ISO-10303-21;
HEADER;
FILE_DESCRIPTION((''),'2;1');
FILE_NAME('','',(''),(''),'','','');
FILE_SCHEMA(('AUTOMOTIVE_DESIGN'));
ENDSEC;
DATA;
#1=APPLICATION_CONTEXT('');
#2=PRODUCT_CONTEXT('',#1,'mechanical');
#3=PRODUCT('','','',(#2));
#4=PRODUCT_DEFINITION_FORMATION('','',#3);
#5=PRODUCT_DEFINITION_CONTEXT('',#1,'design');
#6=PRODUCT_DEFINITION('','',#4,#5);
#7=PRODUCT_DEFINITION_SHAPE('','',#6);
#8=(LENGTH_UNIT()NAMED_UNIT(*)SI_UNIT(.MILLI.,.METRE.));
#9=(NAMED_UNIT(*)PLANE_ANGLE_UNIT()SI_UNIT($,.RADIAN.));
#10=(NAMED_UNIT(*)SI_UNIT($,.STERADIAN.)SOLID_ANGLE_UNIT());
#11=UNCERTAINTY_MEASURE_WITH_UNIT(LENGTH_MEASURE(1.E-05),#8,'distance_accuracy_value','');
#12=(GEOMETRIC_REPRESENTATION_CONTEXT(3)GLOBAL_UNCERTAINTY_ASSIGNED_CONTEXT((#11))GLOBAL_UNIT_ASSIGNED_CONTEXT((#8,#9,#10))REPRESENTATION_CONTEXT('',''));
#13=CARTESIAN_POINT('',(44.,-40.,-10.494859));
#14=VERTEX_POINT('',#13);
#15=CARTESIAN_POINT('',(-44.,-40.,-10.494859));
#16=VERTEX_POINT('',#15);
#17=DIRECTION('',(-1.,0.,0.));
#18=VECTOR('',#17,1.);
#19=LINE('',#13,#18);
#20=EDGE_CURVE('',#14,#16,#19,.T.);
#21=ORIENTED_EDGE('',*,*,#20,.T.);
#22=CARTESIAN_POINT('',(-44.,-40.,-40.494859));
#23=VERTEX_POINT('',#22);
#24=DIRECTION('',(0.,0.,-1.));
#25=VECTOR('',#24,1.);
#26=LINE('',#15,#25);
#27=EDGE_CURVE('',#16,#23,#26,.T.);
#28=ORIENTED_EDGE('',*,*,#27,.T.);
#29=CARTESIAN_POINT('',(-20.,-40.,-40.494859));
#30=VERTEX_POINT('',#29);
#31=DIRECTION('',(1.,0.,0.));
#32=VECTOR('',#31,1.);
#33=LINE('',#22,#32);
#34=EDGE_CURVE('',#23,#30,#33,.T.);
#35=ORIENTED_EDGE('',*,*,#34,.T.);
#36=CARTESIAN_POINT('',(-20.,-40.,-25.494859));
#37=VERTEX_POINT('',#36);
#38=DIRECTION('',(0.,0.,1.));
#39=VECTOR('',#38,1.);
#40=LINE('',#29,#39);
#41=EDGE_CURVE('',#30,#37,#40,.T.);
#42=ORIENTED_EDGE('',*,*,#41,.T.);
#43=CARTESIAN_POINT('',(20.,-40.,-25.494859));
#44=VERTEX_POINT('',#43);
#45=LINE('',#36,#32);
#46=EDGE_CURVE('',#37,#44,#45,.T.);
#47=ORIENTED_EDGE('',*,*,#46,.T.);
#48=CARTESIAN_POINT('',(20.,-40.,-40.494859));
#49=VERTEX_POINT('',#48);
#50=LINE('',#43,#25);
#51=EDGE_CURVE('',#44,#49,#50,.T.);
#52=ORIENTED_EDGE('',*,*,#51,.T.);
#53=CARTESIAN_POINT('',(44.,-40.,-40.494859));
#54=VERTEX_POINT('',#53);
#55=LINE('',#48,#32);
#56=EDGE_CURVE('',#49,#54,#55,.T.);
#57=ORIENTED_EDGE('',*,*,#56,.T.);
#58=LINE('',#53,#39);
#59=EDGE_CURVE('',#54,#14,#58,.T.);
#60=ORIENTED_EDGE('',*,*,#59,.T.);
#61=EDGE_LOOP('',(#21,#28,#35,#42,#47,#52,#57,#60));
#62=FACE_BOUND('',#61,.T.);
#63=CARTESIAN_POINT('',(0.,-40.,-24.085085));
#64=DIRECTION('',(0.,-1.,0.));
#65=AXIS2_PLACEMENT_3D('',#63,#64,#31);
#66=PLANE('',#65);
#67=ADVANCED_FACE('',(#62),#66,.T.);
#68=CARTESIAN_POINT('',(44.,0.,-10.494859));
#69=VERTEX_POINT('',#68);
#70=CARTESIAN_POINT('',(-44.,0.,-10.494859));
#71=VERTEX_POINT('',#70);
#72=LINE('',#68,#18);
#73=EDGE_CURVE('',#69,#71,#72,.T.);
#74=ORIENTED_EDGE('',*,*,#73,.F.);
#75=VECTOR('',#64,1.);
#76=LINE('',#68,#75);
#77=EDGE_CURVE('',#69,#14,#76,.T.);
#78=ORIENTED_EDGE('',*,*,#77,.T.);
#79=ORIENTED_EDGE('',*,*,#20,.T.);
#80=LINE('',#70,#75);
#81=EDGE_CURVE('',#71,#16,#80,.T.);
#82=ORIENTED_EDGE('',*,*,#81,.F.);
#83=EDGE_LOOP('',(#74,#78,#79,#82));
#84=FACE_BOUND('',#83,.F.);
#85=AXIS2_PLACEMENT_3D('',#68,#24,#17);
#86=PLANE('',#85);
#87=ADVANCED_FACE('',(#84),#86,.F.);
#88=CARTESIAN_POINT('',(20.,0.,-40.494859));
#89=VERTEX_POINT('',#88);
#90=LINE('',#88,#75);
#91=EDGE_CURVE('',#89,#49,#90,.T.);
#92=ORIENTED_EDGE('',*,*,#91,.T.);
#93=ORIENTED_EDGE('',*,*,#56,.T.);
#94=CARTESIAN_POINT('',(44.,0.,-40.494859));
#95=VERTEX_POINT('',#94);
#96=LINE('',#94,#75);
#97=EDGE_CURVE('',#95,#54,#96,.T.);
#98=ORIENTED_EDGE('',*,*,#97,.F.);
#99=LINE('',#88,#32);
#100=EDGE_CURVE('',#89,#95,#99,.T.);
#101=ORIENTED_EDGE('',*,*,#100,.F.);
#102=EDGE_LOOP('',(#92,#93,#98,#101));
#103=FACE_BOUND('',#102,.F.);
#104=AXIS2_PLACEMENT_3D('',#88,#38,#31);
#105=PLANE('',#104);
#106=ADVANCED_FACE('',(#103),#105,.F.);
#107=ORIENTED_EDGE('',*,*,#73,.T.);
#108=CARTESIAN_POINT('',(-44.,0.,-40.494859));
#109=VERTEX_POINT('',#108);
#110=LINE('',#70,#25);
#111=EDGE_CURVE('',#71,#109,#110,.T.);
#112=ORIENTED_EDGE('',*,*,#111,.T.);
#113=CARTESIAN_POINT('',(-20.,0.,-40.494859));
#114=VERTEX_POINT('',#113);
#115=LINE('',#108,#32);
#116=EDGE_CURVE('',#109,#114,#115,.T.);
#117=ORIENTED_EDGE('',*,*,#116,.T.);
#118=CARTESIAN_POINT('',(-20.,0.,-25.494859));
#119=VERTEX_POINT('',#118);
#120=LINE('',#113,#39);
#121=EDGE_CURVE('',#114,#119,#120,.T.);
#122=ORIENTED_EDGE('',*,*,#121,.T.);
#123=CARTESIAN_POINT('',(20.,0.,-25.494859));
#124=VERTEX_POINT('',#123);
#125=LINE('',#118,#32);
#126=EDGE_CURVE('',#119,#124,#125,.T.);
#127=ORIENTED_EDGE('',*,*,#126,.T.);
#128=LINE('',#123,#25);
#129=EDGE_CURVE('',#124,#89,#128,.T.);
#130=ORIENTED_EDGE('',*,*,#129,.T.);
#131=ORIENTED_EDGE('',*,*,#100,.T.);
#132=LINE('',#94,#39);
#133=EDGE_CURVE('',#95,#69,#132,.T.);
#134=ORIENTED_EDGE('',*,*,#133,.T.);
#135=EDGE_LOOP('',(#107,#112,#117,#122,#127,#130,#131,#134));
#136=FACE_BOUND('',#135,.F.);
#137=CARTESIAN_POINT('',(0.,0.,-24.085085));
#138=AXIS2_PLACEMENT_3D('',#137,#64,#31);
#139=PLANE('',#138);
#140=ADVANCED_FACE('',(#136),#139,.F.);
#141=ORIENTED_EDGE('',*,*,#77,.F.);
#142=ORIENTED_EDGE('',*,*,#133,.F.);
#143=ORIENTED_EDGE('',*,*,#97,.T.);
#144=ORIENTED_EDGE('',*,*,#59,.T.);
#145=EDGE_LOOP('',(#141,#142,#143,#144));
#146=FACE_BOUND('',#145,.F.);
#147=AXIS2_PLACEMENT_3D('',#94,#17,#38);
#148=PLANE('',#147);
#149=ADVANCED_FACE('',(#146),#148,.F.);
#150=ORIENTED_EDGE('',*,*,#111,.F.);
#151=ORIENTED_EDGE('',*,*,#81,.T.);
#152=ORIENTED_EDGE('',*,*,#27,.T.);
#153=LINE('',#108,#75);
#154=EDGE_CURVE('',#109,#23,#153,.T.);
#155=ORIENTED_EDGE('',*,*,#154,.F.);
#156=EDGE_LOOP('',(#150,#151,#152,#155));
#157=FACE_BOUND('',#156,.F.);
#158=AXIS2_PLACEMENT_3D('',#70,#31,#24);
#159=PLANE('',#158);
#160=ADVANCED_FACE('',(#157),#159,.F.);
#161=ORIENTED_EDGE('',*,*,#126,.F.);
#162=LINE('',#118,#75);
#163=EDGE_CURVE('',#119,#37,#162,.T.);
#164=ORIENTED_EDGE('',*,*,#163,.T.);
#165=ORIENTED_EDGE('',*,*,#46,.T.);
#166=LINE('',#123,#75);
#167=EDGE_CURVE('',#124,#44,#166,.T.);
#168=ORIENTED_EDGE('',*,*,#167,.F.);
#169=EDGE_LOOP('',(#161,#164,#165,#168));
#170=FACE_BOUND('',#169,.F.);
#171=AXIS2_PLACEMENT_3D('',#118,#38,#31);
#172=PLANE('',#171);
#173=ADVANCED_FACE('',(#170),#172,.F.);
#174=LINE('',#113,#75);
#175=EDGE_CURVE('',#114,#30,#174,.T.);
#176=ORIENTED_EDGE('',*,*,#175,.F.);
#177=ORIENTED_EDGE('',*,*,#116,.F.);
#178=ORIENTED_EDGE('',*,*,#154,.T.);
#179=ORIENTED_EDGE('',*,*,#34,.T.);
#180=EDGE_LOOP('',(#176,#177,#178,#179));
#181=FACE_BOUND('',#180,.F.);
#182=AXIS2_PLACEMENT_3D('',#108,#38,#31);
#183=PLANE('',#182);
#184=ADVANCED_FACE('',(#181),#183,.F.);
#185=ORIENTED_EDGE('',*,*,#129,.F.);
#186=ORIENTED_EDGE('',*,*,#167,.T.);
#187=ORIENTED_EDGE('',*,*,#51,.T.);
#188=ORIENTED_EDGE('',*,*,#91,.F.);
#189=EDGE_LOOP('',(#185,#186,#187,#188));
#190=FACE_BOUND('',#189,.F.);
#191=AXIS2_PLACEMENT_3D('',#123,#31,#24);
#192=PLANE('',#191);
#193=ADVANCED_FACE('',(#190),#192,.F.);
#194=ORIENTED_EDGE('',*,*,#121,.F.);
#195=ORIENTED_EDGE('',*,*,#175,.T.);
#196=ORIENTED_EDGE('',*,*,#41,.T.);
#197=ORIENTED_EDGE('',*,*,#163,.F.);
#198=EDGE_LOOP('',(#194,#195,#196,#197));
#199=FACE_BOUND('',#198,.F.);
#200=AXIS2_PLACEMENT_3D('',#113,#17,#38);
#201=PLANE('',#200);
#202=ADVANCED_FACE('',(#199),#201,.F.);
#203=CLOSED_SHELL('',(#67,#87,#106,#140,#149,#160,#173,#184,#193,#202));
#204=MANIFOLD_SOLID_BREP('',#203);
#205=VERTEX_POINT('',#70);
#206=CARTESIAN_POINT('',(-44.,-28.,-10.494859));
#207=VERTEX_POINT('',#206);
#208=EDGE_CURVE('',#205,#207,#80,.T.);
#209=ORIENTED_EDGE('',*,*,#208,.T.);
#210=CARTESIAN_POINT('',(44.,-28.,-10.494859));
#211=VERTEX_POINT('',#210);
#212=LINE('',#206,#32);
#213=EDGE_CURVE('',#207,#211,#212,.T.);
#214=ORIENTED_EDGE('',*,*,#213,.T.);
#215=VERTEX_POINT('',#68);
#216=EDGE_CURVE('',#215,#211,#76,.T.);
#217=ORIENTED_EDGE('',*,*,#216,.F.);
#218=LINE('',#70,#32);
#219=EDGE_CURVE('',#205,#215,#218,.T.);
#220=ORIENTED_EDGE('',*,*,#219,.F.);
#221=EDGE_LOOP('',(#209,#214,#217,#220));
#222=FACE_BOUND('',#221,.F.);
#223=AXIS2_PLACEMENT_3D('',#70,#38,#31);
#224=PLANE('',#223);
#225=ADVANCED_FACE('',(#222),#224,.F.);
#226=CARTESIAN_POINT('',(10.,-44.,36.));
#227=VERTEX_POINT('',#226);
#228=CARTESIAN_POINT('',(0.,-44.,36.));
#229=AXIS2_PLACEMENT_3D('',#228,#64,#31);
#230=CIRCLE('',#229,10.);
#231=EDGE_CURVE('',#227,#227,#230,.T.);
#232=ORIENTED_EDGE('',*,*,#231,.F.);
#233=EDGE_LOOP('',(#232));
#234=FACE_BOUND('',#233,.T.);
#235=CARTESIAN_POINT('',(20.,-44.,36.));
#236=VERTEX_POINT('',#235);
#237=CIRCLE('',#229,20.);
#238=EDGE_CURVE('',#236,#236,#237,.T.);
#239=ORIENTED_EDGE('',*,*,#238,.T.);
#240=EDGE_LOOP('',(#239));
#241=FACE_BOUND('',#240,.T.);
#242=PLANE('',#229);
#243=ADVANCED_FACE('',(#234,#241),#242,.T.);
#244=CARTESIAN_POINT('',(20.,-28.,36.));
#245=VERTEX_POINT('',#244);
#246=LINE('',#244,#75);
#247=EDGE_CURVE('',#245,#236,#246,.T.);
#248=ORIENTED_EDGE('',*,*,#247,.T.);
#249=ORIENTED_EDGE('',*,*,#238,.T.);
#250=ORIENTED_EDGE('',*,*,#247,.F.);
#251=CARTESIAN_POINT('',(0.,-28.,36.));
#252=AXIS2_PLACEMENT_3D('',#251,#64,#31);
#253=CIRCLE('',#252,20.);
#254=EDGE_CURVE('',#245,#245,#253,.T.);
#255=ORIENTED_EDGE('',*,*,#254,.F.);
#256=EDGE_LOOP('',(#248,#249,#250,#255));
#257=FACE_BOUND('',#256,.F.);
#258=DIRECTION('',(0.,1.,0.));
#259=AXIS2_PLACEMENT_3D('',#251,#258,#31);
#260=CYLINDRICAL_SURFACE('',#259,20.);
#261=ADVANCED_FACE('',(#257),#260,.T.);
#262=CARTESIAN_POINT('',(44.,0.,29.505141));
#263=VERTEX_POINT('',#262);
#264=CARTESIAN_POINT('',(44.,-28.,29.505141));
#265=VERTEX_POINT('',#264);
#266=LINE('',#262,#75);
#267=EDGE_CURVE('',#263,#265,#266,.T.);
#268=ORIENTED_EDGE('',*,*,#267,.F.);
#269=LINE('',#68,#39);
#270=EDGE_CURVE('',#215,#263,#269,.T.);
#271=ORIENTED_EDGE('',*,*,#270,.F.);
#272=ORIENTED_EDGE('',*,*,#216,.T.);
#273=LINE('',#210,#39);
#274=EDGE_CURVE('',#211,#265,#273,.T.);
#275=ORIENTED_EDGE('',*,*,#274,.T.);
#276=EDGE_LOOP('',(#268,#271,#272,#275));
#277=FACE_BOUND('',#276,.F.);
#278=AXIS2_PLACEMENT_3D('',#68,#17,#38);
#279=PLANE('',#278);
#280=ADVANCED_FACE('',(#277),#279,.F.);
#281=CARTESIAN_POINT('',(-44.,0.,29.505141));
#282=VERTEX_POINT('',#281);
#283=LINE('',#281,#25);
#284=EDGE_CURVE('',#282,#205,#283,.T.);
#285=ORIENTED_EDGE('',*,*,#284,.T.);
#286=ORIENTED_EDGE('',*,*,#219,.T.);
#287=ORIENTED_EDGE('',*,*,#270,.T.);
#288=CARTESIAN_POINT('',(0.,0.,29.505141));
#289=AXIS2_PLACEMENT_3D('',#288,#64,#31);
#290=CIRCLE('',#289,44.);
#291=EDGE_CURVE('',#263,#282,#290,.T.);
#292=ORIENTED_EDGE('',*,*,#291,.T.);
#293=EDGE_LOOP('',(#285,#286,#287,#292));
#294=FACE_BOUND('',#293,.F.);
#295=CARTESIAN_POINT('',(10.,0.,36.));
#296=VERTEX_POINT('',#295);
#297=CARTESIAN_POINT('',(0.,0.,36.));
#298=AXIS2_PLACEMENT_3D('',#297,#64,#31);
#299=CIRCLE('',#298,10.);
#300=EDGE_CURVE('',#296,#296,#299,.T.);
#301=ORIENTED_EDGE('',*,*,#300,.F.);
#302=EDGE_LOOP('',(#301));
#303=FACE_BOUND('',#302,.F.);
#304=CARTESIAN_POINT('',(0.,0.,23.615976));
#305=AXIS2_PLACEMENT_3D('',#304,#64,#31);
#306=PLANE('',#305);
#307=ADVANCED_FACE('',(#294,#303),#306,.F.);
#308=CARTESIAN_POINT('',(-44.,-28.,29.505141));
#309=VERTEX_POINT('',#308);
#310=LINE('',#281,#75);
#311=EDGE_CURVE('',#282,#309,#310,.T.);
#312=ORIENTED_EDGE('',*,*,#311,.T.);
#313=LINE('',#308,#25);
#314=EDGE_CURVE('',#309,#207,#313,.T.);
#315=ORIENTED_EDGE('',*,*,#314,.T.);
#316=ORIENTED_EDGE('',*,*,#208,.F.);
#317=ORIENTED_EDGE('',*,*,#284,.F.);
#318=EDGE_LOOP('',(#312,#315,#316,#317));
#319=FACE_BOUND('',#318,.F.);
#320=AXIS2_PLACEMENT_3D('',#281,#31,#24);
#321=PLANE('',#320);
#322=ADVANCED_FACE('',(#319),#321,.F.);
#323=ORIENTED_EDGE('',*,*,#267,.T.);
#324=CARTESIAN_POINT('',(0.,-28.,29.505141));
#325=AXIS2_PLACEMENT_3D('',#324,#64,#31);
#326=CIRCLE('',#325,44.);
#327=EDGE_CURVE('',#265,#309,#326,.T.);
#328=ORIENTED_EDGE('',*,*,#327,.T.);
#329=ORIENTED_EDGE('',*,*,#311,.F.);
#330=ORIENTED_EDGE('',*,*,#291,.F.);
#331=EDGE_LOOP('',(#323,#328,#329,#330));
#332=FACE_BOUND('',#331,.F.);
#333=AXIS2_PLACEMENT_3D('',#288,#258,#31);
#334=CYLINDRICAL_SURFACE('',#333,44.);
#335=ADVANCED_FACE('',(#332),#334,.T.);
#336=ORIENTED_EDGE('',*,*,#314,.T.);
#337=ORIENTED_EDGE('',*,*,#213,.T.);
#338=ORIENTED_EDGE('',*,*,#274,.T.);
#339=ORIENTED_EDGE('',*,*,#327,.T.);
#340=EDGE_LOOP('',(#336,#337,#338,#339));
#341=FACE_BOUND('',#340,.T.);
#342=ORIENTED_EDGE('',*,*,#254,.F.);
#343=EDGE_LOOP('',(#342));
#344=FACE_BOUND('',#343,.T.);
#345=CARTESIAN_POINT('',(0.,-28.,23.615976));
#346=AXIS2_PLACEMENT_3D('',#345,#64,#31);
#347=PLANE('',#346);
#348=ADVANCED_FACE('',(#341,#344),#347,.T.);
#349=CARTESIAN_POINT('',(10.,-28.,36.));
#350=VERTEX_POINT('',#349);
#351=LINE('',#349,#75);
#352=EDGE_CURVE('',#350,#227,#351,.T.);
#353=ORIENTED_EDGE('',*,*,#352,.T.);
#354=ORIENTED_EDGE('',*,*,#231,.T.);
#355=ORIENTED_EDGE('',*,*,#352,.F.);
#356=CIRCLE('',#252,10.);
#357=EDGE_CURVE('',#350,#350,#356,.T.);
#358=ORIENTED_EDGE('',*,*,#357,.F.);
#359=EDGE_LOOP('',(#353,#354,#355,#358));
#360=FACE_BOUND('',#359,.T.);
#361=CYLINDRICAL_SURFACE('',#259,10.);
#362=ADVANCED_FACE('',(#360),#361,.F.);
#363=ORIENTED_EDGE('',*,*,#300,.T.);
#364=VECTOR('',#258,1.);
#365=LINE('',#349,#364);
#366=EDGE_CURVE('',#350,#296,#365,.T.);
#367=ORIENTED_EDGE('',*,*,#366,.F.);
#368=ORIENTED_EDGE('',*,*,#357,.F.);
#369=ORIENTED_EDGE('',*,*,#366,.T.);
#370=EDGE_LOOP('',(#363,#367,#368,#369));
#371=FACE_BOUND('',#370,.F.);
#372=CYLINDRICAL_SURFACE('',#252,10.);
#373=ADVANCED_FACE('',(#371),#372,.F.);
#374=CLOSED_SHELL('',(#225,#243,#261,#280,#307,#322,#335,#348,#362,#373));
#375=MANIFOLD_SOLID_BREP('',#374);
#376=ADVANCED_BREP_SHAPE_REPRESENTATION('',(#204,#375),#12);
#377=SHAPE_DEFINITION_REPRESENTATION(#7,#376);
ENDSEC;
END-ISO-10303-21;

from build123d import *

# Parameters (mm, degrees)
F1_DEPTH  = 40
F3_DEPTH  = 28
F4_R      = 20
F4_R_2    = 10
F5_DEPTH  = 16
F5_FACE_R = 10
F6_DEPTH  = 100


with BuildPart() as f1:
    # F0 (on Front) → F1 (new body)
    with BuildSketch(Plane.XZ):
        Polygon((44, -10.494859), (-44, -10.494859), (-44, -40.494859), (-20, -40.494859), (-20, -25.494859), (20, -25.494859), (20, -40.494859), (44, -40.494859), align=None)
    extrude(amount=F1_DEPTH)


with BuildPart() as f3:
    # F2 (on Front) → F3 (new body)
    with BuildSketch(Plane.XZ):
        with BuildLine():
            Line((-44, -10.494859), (44, -10.494859))
            Line((44, -10.494859), (44, 29.505141))
            ThreePointArc((44, 29.505141), (0, 73.505141), (-44, 29.505141))
            Line((-44, 29.505141), (-44, -10.494859))
        make_face()
    extrude(amount=F3_DEPTH)

    # F4 (on face) → F5 (join)
    with BuildSketch(Plane.XZ.offset(28)):
        with Locations((0, 36)):
            Circle(F4_R)
        with Locations((0, 36)):
            Circle(F4_R_2, mode=Mode.SUBTRACT)
    extrude(amount=F5_DEPTH)

    # F5_face (on face) → F6 (cut)
    with BuildSketch(Plane(origin=(0, -28, 36), x_dir=(1, 0, 0), z_dir=(0, -1, 0))):
        Circle(F5_FACE_R)
    extrude(amount=-F6_DEPTH, mode=Mode.SUBTRACT)


solid = Compound([f1.part, f3.part])
